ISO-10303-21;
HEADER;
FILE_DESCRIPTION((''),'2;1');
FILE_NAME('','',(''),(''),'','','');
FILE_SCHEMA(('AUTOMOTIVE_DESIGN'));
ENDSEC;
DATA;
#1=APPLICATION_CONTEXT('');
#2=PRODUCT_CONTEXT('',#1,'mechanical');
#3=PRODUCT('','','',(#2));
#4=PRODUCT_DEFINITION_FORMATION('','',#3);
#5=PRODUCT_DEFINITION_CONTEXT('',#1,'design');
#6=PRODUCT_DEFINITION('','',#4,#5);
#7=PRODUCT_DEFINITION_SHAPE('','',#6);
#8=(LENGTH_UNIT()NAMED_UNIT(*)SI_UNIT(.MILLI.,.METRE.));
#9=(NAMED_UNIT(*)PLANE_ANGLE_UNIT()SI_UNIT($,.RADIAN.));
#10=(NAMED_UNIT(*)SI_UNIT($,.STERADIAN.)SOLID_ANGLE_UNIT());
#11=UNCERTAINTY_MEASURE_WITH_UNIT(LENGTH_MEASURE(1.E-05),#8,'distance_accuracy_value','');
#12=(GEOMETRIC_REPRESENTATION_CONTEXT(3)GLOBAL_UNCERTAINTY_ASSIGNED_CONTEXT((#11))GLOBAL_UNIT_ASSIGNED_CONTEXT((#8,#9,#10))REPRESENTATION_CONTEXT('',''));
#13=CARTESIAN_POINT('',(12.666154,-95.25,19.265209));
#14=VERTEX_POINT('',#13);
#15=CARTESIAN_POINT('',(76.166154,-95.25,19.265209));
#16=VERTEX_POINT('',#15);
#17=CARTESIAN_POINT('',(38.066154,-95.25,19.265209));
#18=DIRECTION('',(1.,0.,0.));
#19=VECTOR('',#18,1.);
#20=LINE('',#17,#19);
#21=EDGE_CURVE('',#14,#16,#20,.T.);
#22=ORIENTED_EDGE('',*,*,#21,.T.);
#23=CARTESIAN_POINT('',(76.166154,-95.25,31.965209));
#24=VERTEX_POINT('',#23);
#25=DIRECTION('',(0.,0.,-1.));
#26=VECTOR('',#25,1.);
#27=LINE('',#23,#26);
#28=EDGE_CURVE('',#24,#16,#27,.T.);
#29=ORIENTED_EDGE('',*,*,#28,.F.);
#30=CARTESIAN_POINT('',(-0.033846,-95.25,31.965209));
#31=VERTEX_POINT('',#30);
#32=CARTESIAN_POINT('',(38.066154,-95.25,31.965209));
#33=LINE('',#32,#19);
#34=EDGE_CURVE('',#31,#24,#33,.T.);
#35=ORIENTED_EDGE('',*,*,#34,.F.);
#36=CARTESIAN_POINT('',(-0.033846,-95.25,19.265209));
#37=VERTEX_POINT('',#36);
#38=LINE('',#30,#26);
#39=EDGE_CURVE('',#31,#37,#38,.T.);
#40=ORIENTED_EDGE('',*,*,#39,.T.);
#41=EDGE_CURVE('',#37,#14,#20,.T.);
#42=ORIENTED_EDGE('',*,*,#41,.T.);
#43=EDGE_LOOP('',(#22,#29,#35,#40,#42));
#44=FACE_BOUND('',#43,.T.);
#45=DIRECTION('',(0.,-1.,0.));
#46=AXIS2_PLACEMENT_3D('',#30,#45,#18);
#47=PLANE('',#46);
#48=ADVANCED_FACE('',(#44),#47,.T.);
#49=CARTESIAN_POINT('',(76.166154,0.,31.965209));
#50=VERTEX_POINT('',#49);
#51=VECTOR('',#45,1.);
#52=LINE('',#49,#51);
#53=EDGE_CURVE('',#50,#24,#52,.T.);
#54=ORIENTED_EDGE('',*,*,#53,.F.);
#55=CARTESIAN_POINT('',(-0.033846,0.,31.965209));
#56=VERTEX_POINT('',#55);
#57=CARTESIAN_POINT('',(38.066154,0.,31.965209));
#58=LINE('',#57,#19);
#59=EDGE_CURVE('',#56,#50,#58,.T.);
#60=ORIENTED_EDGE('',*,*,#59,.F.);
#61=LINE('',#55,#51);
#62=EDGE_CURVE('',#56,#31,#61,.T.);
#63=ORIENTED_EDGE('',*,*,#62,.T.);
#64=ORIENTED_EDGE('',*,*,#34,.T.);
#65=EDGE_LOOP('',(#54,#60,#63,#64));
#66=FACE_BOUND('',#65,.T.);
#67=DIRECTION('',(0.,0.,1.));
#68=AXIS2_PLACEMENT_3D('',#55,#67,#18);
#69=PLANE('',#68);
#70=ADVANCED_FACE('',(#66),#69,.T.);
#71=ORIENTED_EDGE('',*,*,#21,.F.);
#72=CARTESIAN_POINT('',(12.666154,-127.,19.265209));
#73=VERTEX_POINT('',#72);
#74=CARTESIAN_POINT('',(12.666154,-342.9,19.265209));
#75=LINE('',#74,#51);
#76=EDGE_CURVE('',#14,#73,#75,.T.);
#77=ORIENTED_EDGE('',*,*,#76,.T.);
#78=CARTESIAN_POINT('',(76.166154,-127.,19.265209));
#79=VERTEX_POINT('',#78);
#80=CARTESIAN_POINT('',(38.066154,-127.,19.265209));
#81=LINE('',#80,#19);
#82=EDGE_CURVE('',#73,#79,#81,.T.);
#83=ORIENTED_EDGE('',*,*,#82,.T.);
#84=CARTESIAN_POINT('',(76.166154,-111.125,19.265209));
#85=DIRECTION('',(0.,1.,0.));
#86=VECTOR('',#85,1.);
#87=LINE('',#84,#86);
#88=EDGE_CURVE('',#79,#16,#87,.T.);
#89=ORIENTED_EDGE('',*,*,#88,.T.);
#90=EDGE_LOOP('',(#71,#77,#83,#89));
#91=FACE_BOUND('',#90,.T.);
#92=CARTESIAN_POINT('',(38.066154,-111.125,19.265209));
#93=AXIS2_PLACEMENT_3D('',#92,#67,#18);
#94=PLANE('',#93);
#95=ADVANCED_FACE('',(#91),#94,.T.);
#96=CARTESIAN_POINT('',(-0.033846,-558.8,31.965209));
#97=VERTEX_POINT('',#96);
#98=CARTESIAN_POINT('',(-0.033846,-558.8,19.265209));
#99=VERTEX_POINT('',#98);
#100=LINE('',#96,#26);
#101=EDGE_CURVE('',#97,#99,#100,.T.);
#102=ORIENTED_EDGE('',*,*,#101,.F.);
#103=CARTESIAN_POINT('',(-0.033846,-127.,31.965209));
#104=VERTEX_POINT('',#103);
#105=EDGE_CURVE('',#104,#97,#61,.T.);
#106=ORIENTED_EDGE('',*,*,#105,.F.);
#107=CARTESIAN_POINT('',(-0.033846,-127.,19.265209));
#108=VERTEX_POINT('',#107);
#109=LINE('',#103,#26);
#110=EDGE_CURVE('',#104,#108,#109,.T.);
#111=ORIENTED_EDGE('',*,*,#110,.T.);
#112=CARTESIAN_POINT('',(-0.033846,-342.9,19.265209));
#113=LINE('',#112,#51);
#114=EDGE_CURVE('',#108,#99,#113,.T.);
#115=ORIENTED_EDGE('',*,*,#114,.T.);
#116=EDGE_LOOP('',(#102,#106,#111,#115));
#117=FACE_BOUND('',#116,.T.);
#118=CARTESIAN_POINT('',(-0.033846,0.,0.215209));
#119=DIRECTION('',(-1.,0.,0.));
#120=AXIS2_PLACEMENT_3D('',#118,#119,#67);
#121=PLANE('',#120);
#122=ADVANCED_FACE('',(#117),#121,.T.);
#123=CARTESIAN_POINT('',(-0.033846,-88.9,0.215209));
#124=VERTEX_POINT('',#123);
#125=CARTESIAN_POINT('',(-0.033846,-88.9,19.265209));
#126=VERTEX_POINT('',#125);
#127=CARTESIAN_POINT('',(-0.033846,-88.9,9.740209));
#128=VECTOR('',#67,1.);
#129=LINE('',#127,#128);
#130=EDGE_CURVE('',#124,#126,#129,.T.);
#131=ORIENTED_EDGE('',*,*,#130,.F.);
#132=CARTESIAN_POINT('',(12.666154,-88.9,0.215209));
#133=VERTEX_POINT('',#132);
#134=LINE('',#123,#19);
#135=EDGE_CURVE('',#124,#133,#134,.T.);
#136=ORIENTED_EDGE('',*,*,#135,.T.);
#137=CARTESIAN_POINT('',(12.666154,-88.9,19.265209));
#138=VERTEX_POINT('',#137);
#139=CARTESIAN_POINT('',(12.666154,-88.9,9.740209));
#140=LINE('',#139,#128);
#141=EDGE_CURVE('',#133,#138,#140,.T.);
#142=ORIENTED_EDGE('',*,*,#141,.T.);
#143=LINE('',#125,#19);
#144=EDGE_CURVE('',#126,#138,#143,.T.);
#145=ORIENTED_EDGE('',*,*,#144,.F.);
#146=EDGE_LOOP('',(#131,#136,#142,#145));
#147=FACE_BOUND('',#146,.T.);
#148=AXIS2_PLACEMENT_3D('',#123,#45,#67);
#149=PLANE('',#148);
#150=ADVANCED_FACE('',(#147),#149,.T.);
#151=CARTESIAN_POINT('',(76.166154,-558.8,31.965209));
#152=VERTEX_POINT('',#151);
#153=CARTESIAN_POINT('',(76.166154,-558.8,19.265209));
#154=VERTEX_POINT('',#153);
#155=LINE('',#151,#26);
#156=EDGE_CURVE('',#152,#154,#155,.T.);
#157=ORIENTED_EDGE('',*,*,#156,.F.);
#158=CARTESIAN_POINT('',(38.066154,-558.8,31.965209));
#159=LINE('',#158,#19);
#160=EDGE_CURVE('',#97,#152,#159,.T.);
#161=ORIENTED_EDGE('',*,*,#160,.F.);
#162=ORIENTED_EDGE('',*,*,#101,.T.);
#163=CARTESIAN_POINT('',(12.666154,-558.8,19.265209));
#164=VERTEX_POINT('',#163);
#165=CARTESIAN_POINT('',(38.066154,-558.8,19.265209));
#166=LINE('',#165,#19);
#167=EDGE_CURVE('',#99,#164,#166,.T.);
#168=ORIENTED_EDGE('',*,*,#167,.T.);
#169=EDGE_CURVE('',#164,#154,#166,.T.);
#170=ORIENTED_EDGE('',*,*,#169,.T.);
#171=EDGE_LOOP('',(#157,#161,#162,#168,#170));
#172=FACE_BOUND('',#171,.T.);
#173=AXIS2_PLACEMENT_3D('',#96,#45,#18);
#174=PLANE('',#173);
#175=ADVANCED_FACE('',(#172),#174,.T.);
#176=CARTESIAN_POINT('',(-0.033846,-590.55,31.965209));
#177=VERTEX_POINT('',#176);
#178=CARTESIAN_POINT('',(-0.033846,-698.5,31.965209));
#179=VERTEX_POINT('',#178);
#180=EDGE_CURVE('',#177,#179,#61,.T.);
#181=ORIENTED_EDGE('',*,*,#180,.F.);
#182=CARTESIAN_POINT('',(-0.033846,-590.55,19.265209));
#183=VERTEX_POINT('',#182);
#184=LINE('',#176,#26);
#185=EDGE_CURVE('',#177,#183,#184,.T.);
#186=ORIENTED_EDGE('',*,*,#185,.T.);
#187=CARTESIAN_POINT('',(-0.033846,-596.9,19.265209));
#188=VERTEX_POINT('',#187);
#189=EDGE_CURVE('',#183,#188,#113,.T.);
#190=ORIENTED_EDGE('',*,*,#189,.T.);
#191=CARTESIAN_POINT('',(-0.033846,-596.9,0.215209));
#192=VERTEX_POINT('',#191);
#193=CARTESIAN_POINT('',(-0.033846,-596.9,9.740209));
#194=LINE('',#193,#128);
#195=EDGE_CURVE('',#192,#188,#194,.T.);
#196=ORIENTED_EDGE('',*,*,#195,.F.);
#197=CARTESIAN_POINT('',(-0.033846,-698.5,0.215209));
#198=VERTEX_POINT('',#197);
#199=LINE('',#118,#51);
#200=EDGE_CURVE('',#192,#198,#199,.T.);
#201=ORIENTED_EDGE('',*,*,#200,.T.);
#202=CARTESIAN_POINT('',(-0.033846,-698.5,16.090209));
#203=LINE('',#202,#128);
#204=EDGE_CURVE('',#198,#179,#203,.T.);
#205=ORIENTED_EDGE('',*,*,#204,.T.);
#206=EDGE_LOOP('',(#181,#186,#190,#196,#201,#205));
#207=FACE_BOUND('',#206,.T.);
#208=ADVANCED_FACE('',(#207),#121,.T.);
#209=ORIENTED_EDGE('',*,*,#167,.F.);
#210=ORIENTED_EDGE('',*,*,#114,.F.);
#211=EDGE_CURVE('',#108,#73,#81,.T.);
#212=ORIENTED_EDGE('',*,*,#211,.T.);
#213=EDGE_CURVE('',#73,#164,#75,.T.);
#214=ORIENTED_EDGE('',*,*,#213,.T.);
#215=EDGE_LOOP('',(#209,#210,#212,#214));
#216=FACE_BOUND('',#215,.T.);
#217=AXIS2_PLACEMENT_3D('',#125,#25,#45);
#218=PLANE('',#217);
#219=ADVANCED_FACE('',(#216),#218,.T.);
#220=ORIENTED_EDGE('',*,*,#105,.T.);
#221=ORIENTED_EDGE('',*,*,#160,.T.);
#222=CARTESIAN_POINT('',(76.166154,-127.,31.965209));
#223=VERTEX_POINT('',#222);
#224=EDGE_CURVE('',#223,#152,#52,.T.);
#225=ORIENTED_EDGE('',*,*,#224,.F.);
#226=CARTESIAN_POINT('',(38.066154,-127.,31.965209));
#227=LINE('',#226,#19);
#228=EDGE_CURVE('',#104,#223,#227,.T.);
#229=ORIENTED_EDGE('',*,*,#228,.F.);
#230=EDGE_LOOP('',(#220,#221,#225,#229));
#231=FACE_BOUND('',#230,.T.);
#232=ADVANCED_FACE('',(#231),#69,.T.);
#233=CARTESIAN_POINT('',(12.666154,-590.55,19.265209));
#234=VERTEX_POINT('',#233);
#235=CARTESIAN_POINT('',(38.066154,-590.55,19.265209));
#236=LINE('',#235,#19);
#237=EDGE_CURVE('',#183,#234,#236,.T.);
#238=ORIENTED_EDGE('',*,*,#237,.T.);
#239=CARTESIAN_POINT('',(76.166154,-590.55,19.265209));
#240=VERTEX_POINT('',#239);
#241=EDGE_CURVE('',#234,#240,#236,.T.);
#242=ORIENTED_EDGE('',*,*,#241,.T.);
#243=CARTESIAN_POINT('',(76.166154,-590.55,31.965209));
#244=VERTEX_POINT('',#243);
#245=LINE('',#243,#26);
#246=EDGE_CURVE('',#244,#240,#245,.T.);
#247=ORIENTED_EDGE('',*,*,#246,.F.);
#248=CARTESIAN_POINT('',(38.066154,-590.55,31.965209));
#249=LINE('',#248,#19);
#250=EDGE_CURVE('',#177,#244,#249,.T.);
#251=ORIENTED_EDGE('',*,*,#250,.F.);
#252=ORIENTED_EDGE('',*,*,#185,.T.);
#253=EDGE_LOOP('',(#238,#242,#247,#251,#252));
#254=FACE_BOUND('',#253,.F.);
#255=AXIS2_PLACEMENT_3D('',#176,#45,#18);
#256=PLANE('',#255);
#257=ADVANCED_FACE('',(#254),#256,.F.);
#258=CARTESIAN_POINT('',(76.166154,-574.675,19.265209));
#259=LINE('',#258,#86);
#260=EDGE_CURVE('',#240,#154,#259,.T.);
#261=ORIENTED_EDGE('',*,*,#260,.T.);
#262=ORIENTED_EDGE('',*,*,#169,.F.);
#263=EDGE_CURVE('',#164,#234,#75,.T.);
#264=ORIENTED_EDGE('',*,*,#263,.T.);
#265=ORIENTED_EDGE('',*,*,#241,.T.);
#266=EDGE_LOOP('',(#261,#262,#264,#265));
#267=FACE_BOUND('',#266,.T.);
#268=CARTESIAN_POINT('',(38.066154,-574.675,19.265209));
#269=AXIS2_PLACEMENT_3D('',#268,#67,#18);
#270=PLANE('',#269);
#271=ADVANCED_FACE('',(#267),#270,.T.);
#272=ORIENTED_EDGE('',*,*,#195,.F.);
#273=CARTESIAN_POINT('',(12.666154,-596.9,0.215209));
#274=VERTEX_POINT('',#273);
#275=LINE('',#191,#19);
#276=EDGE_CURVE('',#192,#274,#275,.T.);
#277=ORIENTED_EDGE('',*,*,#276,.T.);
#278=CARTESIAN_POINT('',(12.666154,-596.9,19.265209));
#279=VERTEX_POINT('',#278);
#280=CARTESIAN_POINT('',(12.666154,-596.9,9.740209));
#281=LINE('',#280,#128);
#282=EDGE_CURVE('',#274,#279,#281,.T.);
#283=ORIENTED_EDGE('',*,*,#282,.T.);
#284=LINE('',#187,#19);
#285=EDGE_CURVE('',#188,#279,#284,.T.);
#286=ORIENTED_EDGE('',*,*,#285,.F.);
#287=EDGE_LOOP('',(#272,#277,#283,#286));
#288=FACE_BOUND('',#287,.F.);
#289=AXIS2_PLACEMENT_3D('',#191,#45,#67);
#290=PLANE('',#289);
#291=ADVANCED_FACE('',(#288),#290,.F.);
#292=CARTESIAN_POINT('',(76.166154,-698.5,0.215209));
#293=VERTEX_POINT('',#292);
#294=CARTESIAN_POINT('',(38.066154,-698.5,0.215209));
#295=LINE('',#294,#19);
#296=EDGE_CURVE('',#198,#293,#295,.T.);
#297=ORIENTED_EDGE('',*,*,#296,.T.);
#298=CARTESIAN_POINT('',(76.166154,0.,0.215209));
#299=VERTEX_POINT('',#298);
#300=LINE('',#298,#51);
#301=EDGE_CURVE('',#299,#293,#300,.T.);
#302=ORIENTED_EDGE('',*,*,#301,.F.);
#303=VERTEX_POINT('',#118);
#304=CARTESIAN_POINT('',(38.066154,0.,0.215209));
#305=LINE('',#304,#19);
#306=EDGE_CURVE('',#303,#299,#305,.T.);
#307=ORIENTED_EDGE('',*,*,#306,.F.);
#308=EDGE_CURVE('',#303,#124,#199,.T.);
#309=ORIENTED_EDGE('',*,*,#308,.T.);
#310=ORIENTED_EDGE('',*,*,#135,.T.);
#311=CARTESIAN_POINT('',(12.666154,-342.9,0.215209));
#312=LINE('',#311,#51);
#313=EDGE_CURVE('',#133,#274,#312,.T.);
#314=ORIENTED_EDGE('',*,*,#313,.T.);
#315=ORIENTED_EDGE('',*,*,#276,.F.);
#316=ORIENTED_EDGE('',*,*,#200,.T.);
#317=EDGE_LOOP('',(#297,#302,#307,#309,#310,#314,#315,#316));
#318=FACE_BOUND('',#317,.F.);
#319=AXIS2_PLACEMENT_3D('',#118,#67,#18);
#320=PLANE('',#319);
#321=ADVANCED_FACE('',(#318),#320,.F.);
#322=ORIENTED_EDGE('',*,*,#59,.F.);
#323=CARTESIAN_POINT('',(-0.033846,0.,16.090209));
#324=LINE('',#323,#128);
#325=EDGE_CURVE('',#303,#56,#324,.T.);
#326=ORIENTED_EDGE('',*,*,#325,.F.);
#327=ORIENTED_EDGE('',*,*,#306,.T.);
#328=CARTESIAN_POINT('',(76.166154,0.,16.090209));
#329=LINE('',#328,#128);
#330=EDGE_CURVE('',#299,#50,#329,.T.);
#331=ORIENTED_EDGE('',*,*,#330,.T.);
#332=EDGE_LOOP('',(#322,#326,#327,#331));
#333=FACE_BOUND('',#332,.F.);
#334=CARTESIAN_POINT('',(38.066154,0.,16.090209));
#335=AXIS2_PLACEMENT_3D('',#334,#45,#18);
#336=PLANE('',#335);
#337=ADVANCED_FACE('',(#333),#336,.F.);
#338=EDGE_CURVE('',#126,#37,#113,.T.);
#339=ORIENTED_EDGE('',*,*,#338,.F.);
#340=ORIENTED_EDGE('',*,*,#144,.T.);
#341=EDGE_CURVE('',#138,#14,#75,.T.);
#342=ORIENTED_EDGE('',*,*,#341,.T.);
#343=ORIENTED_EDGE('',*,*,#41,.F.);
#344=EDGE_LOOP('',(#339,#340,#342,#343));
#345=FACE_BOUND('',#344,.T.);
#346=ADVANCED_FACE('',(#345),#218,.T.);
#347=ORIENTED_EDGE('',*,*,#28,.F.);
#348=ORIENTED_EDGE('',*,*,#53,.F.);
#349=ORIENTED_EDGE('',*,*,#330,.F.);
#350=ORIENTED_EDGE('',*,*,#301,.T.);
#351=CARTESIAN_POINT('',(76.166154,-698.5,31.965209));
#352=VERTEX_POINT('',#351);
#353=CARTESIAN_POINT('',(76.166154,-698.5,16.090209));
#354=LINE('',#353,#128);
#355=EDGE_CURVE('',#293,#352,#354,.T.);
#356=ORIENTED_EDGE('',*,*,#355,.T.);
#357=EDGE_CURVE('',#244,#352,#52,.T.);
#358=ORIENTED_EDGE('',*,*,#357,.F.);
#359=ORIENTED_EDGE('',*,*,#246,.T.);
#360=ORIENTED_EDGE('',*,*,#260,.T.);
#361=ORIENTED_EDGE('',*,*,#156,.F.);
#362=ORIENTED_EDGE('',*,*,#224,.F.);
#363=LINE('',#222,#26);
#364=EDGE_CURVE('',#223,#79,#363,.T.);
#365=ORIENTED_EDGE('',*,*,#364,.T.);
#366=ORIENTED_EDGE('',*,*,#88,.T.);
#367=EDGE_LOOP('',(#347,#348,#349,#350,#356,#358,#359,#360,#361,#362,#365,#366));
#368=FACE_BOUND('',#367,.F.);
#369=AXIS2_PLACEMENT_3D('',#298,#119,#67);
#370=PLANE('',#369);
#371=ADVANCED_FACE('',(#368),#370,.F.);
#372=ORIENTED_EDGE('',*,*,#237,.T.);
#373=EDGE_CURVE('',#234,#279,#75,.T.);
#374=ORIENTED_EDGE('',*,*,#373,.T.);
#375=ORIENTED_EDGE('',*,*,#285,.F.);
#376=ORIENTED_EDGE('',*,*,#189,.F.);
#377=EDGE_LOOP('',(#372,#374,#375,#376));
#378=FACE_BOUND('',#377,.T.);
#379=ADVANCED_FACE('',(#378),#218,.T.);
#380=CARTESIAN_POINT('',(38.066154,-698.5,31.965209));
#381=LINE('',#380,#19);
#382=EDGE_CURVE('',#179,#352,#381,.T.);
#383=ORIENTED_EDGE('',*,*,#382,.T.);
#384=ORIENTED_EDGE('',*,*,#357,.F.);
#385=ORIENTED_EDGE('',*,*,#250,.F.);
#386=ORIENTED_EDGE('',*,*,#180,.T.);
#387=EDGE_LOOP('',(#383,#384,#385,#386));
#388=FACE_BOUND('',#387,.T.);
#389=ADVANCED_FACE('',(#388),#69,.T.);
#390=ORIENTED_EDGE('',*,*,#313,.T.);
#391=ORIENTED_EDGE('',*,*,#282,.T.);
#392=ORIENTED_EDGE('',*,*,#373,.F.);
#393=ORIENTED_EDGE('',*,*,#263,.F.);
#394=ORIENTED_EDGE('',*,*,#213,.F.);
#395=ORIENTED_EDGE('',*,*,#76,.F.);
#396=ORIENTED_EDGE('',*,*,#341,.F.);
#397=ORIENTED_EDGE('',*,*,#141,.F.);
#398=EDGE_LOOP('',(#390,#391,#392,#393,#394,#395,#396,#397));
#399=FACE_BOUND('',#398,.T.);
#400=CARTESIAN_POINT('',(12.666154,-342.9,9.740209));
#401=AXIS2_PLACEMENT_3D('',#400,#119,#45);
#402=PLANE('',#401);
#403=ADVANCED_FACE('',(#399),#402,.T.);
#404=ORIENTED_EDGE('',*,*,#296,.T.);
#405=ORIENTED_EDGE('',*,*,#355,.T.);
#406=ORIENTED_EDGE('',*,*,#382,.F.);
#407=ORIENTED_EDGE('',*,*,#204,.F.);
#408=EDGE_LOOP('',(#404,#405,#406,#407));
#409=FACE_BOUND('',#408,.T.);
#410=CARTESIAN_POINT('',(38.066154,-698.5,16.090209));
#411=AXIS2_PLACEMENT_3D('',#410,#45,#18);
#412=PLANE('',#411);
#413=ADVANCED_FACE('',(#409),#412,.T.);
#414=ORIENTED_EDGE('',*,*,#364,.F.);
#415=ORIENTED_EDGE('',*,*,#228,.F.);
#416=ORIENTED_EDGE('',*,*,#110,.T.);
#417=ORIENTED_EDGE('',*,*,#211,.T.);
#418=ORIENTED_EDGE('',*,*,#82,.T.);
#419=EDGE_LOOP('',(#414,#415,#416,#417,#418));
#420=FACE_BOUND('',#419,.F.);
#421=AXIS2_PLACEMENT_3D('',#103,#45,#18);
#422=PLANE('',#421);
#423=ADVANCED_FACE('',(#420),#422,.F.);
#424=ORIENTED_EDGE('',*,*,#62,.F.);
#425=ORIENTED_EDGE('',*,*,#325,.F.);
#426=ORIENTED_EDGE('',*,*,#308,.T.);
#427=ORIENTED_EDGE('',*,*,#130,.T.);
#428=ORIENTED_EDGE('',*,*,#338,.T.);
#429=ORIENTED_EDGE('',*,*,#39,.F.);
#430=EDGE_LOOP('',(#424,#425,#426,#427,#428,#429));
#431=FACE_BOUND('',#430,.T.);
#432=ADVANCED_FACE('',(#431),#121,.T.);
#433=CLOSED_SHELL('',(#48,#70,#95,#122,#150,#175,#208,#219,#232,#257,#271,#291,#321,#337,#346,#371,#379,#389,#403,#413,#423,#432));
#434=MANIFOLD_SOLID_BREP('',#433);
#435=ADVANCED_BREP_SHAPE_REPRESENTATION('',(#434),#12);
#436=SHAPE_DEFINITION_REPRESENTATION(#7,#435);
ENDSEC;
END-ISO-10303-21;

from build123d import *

# Parameters (mm, degrees)
F0_W     = 76.2
F0_H     = 31.75
F1_DEPTH = 698.5
F2_W     = 508
F2_H     = 19.05
F3_DEPTH = 12.7
F4_W     = 76.2
F4_H     = 31.75
F5_DEPTH = 12.7


with BuildPart() as f1:
    # F0 (on Front) → F1 (new body)
    with BuildSketch(Plane.XZ):
        with Locations((38.066154, 16.090209)):
            Rectangle(F0_W, F0_H)
    extrude(amount=F1_DEPTH)

    # F2 (on face) → F3 (cut)
    with BuildSketch(Plane(origin=(-0.033846, 0, 0), x_dir=(0, -1, 0), z_dir=(-1, 0, 0))):
        with Locations((342.9, 9.740209)):
            Rectangle(F2_W, F2_H)
    extrude(amount=-F3_DEPTH, mode=Mode.SUBTRACT)

    # F4 (on face) → F5 (cut)
    with BuildSketch(Plane.XY.offset(31.965209)):
        with Locations((38.066154, -574.675)):
            Rectangle(F4_W, F4_H)
        with Locations((38.066154, -111.125)):
            Rectangle(F4_W, F4_H)
    extrude(amount=-F5_DEPTH, mode=Mode.SUBTRACT)


solid = f1.part
